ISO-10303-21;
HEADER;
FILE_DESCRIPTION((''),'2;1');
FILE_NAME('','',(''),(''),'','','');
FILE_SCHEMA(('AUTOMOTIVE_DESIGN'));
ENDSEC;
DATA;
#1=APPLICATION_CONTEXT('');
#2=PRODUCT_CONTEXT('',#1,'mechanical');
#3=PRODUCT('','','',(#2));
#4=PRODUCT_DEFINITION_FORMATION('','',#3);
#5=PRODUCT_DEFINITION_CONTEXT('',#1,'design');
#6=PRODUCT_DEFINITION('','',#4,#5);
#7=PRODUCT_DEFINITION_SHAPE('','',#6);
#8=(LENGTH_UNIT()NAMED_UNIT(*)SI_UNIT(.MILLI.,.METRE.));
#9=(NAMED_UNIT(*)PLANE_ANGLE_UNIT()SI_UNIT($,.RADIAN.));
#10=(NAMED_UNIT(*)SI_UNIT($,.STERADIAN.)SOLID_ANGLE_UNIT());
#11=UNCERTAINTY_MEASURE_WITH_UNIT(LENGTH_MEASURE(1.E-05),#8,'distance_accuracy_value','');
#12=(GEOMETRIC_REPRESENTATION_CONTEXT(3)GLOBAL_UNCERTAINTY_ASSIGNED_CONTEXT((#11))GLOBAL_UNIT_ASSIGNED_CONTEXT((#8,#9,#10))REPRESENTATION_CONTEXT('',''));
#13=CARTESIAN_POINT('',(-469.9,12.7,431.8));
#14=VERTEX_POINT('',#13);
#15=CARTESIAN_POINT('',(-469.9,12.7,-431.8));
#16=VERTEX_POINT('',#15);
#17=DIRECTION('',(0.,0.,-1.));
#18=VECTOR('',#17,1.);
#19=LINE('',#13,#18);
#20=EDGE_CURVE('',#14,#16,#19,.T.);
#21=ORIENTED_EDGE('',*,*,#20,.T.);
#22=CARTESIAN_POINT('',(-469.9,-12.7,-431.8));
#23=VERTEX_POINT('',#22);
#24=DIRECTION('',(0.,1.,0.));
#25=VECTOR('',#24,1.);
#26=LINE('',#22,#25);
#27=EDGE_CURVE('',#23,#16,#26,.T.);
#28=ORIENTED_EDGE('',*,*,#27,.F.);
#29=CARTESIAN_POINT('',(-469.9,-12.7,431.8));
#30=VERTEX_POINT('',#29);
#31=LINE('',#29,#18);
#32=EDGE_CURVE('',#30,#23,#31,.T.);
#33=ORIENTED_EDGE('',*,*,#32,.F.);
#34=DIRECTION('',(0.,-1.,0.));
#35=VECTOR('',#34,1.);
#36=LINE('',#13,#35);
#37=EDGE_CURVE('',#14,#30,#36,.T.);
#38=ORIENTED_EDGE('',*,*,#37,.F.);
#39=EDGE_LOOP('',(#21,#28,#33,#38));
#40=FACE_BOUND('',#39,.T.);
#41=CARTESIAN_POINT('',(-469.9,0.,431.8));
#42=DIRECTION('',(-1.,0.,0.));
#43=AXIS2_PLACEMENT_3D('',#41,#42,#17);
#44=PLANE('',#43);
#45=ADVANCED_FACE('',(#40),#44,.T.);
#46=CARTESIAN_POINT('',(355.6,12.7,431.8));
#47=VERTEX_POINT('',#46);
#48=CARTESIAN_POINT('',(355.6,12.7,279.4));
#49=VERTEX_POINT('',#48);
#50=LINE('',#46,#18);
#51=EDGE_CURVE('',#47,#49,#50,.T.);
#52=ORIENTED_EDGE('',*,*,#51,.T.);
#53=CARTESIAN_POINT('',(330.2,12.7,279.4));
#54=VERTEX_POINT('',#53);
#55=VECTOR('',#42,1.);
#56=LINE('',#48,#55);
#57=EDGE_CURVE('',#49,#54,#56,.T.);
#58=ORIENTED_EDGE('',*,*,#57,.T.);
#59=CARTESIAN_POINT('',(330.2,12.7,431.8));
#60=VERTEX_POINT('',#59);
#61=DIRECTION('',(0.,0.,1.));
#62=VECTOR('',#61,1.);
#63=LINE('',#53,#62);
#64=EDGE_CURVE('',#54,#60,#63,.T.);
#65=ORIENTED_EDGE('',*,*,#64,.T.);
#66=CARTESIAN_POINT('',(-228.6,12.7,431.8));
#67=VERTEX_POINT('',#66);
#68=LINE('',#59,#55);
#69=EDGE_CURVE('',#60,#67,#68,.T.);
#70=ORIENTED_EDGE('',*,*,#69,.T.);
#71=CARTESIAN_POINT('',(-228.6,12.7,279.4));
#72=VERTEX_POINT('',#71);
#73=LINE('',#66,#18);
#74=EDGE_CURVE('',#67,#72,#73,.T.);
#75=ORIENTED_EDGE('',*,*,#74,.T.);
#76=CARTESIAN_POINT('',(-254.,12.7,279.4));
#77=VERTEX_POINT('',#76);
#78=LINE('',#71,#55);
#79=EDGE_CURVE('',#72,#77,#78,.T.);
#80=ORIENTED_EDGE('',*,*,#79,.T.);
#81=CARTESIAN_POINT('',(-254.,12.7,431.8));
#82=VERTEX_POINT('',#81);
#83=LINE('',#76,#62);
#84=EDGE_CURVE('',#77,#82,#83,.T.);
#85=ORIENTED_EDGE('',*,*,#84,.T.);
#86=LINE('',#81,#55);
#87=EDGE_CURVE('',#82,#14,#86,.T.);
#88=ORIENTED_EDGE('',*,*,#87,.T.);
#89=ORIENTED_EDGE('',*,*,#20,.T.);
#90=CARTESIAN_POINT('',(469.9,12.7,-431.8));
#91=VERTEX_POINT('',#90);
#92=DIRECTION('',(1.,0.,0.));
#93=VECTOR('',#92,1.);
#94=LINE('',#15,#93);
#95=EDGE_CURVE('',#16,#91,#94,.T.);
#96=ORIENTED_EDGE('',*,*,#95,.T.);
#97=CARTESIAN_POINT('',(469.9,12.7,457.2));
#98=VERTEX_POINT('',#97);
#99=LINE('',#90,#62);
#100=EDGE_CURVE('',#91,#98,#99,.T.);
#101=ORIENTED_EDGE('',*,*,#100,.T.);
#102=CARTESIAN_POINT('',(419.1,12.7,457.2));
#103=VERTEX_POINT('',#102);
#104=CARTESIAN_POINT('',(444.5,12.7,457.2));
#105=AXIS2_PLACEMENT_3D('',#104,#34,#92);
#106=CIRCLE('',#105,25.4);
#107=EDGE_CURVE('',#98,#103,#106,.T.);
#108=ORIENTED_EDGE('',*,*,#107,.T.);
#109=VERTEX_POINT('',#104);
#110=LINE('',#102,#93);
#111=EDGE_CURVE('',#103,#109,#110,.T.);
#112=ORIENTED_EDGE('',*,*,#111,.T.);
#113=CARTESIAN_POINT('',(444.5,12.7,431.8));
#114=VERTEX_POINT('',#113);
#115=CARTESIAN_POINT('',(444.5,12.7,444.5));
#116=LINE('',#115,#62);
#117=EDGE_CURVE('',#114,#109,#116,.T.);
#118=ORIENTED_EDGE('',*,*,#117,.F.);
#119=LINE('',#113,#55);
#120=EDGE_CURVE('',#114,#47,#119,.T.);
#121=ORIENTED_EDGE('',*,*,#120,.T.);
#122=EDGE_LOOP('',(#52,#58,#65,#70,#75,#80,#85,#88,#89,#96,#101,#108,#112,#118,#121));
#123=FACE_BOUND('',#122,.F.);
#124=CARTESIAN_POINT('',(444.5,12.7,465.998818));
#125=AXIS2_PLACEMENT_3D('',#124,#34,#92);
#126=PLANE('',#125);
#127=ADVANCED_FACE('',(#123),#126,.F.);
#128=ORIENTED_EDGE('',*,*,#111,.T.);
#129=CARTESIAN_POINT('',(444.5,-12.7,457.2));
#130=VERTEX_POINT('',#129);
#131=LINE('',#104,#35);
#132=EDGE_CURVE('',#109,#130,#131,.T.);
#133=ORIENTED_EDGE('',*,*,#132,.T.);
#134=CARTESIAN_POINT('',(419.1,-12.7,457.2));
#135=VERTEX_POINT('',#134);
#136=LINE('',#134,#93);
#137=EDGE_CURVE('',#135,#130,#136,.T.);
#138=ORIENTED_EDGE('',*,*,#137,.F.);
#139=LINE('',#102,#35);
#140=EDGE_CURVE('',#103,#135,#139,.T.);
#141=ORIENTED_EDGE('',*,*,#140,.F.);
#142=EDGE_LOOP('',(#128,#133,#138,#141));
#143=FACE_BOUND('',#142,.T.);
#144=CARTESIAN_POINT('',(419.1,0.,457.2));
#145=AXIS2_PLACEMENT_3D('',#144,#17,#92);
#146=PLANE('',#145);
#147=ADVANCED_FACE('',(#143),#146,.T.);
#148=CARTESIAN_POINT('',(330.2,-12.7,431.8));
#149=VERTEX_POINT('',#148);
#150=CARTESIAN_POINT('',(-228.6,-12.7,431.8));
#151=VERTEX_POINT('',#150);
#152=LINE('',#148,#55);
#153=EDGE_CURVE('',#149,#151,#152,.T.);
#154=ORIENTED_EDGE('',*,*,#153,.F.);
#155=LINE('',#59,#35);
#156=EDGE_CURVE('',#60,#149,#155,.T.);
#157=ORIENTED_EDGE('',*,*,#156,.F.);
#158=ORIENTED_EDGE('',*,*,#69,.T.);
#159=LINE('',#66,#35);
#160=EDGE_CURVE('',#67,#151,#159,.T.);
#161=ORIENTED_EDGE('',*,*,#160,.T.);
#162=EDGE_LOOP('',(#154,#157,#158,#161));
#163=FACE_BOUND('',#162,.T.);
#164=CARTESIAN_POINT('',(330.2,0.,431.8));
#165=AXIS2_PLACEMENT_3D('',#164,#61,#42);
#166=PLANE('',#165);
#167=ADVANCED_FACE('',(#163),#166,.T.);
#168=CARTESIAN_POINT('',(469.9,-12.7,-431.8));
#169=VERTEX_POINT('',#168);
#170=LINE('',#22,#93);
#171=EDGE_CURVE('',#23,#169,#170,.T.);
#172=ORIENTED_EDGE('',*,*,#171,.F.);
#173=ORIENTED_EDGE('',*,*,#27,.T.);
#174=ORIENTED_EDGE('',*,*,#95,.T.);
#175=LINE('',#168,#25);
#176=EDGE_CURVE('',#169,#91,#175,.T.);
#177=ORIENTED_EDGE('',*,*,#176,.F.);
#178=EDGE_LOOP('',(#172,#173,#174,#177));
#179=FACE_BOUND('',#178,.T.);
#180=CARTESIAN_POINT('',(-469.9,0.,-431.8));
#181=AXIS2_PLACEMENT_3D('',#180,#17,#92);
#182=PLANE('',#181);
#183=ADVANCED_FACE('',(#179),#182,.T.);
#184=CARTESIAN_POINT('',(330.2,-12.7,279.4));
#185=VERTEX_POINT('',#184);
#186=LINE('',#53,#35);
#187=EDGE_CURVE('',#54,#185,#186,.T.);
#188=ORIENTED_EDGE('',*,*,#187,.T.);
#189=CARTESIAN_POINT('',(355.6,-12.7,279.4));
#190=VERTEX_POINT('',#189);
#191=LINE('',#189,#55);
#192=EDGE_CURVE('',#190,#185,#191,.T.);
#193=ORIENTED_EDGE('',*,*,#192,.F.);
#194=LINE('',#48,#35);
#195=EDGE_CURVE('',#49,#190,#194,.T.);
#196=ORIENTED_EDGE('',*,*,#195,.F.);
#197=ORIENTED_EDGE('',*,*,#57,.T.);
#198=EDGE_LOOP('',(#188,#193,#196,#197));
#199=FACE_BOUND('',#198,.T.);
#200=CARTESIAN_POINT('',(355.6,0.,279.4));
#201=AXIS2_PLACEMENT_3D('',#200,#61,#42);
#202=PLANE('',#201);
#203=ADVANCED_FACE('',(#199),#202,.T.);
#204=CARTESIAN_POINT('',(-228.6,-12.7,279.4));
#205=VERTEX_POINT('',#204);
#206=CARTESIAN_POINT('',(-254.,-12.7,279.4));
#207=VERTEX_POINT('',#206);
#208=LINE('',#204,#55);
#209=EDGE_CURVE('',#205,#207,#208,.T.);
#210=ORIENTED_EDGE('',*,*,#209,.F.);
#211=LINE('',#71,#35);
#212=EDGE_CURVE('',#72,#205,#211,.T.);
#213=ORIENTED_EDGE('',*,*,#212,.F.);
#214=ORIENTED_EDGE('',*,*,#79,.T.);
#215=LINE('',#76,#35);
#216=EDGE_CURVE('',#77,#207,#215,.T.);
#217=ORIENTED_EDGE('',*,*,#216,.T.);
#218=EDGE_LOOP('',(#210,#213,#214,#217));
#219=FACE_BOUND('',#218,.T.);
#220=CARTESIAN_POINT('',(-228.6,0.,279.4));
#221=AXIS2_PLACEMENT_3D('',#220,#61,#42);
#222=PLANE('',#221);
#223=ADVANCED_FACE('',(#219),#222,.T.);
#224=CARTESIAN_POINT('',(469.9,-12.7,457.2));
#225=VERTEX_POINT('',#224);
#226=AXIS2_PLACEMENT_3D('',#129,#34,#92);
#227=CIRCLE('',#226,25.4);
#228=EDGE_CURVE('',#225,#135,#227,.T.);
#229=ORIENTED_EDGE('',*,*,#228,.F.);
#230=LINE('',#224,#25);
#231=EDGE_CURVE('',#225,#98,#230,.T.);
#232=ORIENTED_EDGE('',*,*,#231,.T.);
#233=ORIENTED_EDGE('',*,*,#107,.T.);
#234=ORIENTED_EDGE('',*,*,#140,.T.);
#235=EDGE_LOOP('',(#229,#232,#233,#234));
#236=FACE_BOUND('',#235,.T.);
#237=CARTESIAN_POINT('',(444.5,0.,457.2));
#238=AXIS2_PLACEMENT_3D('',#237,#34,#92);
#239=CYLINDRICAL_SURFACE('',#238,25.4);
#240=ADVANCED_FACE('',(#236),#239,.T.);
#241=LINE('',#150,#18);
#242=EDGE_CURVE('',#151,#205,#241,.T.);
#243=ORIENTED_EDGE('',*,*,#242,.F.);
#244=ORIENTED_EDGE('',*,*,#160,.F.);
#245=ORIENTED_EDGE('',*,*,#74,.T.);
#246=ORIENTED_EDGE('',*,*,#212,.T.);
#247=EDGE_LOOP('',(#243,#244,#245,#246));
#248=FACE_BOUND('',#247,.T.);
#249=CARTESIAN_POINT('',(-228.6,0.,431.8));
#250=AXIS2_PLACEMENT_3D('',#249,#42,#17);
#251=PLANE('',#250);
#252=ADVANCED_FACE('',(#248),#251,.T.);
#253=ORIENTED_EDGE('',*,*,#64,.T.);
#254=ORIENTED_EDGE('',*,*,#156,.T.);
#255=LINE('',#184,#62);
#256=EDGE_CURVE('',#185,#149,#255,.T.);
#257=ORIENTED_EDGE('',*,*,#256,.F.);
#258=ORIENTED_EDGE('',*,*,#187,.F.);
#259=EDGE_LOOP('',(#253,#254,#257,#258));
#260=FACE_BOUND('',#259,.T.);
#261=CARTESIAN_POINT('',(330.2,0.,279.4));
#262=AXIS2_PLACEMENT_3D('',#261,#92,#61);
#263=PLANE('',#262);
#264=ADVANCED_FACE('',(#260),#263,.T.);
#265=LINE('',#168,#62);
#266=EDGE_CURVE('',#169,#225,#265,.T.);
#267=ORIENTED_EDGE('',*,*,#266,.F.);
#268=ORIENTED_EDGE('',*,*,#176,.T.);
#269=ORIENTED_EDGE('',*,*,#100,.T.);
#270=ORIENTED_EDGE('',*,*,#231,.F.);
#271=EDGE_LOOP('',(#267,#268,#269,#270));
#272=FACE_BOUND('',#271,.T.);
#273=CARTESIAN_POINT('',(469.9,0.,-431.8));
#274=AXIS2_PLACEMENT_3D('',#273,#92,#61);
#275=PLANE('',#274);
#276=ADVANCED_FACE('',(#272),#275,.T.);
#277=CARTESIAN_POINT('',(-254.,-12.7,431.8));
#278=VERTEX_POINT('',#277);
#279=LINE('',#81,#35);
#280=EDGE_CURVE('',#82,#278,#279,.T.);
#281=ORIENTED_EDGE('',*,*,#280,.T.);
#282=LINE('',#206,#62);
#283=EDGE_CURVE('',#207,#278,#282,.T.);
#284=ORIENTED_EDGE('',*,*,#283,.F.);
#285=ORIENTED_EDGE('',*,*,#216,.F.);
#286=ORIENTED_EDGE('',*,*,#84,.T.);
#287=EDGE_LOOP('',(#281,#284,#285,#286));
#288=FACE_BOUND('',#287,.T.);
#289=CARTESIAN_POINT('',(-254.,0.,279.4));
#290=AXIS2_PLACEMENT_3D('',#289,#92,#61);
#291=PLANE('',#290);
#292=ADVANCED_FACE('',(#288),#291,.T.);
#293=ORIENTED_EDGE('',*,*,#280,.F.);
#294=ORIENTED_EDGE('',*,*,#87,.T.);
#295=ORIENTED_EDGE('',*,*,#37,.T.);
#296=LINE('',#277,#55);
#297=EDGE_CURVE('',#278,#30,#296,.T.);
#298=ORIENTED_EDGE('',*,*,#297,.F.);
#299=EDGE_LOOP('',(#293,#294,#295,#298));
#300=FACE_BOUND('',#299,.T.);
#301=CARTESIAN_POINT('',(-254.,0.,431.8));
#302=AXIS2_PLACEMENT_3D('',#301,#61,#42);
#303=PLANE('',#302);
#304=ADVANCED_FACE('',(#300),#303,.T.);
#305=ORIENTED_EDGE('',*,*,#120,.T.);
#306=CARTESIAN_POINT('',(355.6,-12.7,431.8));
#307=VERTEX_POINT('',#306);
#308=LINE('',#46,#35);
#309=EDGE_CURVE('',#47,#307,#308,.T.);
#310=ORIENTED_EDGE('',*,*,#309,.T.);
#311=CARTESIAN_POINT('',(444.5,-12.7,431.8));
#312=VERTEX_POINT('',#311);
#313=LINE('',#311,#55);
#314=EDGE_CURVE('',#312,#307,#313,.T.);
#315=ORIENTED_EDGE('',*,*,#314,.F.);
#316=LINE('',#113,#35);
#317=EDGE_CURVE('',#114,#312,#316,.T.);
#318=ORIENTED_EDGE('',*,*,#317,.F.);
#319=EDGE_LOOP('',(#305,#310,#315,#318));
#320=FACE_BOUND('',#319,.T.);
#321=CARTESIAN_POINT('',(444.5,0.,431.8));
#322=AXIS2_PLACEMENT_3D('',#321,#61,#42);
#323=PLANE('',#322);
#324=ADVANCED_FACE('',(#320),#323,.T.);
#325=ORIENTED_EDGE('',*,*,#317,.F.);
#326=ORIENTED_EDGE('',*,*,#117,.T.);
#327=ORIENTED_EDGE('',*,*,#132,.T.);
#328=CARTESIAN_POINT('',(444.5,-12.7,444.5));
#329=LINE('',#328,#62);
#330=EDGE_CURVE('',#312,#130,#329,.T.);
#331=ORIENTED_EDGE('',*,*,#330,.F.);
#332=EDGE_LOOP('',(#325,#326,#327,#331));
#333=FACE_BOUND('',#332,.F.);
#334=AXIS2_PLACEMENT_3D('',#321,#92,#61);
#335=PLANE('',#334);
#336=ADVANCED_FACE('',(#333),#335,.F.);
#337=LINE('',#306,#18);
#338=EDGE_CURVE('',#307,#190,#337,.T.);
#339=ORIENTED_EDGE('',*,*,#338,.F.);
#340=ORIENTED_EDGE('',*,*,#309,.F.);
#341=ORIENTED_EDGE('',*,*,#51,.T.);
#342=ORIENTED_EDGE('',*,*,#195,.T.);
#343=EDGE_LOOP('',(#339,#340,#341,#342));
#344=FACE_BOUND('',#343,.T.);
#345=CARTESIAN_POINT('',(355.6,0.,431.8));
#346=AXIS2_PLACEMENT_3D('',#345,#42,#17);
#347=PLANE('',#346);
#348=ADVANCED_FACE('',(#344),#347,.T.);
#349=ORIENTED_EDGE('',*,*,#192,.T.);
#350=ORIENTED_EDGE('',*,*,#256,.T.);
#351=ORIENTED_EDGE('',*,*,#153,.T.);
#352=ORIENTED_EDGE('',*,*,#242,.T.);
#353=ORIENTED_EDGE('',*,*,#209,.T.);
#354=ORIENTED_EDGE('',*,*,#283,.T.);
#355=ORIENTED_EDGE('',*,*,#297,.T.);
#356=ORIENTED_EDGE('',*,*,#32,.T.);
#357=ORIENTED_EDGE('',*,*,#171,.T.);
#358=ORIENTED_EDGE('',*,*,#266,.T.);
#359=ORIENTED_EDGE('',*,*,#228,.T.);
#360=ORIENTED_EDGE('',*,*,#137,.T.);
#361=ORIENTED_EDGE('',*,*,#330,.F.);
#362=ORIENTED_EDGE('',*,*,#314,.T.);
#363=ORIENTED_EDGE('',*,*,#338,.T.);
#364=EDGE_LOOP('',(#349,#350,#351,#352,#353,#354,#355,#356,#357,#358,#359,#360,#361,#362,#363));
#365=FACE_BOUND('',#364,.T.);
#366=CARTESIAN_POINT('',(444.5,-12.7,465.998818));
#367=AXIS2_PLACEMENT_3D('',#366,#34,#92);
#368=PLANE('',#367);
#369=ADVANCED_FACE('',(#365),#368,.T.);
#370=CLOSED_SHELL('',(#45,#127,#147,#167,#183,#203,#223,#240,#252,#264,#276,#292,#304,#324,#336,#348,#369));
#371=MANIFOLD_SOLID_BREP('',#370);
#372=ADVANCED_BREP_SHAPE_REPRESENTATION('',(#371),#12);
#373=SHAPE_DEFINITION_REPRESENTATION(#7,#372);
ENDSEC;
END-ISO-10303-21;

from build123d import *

# Parameters (mm, degrees)
F0_W     = 25.4
F0_H     = 25.4
F1_DEPTH = 12.7


with BuildPart() as f1:
    # F0 (on Front) → F1 (new body, symmetric)
    with BuildSketch(Plane.XZ):
        with BuildLine():
            Line((444.5, 457.2), (469.9, 457.2))
            ThreePointArc((469.9, 457.2), (444.5, 482.6), (419.1, 457.2))
            Line((419.1, 457.2), (444.5, 457.2))
        make_face()
        with Locations((457.2, 444.5)):
            Rectangle(F0_W, F0_H)
        Polygon((469.9, -431.8), (469.9, 431.8), (444.5, 431.8), (355.6, 431.8), (355.6, 279.4), (330.2, 279.4), (330.2, 431.8), (-228.6, 431.8), (-228.6, 279.4), (-254, 279.4), (-254, 431.8), (-469.9, 431.8), (-469.9, -431.8), align=None)
    extrude(amount=F1_DEPTH, both=True)


solid = f1.part
